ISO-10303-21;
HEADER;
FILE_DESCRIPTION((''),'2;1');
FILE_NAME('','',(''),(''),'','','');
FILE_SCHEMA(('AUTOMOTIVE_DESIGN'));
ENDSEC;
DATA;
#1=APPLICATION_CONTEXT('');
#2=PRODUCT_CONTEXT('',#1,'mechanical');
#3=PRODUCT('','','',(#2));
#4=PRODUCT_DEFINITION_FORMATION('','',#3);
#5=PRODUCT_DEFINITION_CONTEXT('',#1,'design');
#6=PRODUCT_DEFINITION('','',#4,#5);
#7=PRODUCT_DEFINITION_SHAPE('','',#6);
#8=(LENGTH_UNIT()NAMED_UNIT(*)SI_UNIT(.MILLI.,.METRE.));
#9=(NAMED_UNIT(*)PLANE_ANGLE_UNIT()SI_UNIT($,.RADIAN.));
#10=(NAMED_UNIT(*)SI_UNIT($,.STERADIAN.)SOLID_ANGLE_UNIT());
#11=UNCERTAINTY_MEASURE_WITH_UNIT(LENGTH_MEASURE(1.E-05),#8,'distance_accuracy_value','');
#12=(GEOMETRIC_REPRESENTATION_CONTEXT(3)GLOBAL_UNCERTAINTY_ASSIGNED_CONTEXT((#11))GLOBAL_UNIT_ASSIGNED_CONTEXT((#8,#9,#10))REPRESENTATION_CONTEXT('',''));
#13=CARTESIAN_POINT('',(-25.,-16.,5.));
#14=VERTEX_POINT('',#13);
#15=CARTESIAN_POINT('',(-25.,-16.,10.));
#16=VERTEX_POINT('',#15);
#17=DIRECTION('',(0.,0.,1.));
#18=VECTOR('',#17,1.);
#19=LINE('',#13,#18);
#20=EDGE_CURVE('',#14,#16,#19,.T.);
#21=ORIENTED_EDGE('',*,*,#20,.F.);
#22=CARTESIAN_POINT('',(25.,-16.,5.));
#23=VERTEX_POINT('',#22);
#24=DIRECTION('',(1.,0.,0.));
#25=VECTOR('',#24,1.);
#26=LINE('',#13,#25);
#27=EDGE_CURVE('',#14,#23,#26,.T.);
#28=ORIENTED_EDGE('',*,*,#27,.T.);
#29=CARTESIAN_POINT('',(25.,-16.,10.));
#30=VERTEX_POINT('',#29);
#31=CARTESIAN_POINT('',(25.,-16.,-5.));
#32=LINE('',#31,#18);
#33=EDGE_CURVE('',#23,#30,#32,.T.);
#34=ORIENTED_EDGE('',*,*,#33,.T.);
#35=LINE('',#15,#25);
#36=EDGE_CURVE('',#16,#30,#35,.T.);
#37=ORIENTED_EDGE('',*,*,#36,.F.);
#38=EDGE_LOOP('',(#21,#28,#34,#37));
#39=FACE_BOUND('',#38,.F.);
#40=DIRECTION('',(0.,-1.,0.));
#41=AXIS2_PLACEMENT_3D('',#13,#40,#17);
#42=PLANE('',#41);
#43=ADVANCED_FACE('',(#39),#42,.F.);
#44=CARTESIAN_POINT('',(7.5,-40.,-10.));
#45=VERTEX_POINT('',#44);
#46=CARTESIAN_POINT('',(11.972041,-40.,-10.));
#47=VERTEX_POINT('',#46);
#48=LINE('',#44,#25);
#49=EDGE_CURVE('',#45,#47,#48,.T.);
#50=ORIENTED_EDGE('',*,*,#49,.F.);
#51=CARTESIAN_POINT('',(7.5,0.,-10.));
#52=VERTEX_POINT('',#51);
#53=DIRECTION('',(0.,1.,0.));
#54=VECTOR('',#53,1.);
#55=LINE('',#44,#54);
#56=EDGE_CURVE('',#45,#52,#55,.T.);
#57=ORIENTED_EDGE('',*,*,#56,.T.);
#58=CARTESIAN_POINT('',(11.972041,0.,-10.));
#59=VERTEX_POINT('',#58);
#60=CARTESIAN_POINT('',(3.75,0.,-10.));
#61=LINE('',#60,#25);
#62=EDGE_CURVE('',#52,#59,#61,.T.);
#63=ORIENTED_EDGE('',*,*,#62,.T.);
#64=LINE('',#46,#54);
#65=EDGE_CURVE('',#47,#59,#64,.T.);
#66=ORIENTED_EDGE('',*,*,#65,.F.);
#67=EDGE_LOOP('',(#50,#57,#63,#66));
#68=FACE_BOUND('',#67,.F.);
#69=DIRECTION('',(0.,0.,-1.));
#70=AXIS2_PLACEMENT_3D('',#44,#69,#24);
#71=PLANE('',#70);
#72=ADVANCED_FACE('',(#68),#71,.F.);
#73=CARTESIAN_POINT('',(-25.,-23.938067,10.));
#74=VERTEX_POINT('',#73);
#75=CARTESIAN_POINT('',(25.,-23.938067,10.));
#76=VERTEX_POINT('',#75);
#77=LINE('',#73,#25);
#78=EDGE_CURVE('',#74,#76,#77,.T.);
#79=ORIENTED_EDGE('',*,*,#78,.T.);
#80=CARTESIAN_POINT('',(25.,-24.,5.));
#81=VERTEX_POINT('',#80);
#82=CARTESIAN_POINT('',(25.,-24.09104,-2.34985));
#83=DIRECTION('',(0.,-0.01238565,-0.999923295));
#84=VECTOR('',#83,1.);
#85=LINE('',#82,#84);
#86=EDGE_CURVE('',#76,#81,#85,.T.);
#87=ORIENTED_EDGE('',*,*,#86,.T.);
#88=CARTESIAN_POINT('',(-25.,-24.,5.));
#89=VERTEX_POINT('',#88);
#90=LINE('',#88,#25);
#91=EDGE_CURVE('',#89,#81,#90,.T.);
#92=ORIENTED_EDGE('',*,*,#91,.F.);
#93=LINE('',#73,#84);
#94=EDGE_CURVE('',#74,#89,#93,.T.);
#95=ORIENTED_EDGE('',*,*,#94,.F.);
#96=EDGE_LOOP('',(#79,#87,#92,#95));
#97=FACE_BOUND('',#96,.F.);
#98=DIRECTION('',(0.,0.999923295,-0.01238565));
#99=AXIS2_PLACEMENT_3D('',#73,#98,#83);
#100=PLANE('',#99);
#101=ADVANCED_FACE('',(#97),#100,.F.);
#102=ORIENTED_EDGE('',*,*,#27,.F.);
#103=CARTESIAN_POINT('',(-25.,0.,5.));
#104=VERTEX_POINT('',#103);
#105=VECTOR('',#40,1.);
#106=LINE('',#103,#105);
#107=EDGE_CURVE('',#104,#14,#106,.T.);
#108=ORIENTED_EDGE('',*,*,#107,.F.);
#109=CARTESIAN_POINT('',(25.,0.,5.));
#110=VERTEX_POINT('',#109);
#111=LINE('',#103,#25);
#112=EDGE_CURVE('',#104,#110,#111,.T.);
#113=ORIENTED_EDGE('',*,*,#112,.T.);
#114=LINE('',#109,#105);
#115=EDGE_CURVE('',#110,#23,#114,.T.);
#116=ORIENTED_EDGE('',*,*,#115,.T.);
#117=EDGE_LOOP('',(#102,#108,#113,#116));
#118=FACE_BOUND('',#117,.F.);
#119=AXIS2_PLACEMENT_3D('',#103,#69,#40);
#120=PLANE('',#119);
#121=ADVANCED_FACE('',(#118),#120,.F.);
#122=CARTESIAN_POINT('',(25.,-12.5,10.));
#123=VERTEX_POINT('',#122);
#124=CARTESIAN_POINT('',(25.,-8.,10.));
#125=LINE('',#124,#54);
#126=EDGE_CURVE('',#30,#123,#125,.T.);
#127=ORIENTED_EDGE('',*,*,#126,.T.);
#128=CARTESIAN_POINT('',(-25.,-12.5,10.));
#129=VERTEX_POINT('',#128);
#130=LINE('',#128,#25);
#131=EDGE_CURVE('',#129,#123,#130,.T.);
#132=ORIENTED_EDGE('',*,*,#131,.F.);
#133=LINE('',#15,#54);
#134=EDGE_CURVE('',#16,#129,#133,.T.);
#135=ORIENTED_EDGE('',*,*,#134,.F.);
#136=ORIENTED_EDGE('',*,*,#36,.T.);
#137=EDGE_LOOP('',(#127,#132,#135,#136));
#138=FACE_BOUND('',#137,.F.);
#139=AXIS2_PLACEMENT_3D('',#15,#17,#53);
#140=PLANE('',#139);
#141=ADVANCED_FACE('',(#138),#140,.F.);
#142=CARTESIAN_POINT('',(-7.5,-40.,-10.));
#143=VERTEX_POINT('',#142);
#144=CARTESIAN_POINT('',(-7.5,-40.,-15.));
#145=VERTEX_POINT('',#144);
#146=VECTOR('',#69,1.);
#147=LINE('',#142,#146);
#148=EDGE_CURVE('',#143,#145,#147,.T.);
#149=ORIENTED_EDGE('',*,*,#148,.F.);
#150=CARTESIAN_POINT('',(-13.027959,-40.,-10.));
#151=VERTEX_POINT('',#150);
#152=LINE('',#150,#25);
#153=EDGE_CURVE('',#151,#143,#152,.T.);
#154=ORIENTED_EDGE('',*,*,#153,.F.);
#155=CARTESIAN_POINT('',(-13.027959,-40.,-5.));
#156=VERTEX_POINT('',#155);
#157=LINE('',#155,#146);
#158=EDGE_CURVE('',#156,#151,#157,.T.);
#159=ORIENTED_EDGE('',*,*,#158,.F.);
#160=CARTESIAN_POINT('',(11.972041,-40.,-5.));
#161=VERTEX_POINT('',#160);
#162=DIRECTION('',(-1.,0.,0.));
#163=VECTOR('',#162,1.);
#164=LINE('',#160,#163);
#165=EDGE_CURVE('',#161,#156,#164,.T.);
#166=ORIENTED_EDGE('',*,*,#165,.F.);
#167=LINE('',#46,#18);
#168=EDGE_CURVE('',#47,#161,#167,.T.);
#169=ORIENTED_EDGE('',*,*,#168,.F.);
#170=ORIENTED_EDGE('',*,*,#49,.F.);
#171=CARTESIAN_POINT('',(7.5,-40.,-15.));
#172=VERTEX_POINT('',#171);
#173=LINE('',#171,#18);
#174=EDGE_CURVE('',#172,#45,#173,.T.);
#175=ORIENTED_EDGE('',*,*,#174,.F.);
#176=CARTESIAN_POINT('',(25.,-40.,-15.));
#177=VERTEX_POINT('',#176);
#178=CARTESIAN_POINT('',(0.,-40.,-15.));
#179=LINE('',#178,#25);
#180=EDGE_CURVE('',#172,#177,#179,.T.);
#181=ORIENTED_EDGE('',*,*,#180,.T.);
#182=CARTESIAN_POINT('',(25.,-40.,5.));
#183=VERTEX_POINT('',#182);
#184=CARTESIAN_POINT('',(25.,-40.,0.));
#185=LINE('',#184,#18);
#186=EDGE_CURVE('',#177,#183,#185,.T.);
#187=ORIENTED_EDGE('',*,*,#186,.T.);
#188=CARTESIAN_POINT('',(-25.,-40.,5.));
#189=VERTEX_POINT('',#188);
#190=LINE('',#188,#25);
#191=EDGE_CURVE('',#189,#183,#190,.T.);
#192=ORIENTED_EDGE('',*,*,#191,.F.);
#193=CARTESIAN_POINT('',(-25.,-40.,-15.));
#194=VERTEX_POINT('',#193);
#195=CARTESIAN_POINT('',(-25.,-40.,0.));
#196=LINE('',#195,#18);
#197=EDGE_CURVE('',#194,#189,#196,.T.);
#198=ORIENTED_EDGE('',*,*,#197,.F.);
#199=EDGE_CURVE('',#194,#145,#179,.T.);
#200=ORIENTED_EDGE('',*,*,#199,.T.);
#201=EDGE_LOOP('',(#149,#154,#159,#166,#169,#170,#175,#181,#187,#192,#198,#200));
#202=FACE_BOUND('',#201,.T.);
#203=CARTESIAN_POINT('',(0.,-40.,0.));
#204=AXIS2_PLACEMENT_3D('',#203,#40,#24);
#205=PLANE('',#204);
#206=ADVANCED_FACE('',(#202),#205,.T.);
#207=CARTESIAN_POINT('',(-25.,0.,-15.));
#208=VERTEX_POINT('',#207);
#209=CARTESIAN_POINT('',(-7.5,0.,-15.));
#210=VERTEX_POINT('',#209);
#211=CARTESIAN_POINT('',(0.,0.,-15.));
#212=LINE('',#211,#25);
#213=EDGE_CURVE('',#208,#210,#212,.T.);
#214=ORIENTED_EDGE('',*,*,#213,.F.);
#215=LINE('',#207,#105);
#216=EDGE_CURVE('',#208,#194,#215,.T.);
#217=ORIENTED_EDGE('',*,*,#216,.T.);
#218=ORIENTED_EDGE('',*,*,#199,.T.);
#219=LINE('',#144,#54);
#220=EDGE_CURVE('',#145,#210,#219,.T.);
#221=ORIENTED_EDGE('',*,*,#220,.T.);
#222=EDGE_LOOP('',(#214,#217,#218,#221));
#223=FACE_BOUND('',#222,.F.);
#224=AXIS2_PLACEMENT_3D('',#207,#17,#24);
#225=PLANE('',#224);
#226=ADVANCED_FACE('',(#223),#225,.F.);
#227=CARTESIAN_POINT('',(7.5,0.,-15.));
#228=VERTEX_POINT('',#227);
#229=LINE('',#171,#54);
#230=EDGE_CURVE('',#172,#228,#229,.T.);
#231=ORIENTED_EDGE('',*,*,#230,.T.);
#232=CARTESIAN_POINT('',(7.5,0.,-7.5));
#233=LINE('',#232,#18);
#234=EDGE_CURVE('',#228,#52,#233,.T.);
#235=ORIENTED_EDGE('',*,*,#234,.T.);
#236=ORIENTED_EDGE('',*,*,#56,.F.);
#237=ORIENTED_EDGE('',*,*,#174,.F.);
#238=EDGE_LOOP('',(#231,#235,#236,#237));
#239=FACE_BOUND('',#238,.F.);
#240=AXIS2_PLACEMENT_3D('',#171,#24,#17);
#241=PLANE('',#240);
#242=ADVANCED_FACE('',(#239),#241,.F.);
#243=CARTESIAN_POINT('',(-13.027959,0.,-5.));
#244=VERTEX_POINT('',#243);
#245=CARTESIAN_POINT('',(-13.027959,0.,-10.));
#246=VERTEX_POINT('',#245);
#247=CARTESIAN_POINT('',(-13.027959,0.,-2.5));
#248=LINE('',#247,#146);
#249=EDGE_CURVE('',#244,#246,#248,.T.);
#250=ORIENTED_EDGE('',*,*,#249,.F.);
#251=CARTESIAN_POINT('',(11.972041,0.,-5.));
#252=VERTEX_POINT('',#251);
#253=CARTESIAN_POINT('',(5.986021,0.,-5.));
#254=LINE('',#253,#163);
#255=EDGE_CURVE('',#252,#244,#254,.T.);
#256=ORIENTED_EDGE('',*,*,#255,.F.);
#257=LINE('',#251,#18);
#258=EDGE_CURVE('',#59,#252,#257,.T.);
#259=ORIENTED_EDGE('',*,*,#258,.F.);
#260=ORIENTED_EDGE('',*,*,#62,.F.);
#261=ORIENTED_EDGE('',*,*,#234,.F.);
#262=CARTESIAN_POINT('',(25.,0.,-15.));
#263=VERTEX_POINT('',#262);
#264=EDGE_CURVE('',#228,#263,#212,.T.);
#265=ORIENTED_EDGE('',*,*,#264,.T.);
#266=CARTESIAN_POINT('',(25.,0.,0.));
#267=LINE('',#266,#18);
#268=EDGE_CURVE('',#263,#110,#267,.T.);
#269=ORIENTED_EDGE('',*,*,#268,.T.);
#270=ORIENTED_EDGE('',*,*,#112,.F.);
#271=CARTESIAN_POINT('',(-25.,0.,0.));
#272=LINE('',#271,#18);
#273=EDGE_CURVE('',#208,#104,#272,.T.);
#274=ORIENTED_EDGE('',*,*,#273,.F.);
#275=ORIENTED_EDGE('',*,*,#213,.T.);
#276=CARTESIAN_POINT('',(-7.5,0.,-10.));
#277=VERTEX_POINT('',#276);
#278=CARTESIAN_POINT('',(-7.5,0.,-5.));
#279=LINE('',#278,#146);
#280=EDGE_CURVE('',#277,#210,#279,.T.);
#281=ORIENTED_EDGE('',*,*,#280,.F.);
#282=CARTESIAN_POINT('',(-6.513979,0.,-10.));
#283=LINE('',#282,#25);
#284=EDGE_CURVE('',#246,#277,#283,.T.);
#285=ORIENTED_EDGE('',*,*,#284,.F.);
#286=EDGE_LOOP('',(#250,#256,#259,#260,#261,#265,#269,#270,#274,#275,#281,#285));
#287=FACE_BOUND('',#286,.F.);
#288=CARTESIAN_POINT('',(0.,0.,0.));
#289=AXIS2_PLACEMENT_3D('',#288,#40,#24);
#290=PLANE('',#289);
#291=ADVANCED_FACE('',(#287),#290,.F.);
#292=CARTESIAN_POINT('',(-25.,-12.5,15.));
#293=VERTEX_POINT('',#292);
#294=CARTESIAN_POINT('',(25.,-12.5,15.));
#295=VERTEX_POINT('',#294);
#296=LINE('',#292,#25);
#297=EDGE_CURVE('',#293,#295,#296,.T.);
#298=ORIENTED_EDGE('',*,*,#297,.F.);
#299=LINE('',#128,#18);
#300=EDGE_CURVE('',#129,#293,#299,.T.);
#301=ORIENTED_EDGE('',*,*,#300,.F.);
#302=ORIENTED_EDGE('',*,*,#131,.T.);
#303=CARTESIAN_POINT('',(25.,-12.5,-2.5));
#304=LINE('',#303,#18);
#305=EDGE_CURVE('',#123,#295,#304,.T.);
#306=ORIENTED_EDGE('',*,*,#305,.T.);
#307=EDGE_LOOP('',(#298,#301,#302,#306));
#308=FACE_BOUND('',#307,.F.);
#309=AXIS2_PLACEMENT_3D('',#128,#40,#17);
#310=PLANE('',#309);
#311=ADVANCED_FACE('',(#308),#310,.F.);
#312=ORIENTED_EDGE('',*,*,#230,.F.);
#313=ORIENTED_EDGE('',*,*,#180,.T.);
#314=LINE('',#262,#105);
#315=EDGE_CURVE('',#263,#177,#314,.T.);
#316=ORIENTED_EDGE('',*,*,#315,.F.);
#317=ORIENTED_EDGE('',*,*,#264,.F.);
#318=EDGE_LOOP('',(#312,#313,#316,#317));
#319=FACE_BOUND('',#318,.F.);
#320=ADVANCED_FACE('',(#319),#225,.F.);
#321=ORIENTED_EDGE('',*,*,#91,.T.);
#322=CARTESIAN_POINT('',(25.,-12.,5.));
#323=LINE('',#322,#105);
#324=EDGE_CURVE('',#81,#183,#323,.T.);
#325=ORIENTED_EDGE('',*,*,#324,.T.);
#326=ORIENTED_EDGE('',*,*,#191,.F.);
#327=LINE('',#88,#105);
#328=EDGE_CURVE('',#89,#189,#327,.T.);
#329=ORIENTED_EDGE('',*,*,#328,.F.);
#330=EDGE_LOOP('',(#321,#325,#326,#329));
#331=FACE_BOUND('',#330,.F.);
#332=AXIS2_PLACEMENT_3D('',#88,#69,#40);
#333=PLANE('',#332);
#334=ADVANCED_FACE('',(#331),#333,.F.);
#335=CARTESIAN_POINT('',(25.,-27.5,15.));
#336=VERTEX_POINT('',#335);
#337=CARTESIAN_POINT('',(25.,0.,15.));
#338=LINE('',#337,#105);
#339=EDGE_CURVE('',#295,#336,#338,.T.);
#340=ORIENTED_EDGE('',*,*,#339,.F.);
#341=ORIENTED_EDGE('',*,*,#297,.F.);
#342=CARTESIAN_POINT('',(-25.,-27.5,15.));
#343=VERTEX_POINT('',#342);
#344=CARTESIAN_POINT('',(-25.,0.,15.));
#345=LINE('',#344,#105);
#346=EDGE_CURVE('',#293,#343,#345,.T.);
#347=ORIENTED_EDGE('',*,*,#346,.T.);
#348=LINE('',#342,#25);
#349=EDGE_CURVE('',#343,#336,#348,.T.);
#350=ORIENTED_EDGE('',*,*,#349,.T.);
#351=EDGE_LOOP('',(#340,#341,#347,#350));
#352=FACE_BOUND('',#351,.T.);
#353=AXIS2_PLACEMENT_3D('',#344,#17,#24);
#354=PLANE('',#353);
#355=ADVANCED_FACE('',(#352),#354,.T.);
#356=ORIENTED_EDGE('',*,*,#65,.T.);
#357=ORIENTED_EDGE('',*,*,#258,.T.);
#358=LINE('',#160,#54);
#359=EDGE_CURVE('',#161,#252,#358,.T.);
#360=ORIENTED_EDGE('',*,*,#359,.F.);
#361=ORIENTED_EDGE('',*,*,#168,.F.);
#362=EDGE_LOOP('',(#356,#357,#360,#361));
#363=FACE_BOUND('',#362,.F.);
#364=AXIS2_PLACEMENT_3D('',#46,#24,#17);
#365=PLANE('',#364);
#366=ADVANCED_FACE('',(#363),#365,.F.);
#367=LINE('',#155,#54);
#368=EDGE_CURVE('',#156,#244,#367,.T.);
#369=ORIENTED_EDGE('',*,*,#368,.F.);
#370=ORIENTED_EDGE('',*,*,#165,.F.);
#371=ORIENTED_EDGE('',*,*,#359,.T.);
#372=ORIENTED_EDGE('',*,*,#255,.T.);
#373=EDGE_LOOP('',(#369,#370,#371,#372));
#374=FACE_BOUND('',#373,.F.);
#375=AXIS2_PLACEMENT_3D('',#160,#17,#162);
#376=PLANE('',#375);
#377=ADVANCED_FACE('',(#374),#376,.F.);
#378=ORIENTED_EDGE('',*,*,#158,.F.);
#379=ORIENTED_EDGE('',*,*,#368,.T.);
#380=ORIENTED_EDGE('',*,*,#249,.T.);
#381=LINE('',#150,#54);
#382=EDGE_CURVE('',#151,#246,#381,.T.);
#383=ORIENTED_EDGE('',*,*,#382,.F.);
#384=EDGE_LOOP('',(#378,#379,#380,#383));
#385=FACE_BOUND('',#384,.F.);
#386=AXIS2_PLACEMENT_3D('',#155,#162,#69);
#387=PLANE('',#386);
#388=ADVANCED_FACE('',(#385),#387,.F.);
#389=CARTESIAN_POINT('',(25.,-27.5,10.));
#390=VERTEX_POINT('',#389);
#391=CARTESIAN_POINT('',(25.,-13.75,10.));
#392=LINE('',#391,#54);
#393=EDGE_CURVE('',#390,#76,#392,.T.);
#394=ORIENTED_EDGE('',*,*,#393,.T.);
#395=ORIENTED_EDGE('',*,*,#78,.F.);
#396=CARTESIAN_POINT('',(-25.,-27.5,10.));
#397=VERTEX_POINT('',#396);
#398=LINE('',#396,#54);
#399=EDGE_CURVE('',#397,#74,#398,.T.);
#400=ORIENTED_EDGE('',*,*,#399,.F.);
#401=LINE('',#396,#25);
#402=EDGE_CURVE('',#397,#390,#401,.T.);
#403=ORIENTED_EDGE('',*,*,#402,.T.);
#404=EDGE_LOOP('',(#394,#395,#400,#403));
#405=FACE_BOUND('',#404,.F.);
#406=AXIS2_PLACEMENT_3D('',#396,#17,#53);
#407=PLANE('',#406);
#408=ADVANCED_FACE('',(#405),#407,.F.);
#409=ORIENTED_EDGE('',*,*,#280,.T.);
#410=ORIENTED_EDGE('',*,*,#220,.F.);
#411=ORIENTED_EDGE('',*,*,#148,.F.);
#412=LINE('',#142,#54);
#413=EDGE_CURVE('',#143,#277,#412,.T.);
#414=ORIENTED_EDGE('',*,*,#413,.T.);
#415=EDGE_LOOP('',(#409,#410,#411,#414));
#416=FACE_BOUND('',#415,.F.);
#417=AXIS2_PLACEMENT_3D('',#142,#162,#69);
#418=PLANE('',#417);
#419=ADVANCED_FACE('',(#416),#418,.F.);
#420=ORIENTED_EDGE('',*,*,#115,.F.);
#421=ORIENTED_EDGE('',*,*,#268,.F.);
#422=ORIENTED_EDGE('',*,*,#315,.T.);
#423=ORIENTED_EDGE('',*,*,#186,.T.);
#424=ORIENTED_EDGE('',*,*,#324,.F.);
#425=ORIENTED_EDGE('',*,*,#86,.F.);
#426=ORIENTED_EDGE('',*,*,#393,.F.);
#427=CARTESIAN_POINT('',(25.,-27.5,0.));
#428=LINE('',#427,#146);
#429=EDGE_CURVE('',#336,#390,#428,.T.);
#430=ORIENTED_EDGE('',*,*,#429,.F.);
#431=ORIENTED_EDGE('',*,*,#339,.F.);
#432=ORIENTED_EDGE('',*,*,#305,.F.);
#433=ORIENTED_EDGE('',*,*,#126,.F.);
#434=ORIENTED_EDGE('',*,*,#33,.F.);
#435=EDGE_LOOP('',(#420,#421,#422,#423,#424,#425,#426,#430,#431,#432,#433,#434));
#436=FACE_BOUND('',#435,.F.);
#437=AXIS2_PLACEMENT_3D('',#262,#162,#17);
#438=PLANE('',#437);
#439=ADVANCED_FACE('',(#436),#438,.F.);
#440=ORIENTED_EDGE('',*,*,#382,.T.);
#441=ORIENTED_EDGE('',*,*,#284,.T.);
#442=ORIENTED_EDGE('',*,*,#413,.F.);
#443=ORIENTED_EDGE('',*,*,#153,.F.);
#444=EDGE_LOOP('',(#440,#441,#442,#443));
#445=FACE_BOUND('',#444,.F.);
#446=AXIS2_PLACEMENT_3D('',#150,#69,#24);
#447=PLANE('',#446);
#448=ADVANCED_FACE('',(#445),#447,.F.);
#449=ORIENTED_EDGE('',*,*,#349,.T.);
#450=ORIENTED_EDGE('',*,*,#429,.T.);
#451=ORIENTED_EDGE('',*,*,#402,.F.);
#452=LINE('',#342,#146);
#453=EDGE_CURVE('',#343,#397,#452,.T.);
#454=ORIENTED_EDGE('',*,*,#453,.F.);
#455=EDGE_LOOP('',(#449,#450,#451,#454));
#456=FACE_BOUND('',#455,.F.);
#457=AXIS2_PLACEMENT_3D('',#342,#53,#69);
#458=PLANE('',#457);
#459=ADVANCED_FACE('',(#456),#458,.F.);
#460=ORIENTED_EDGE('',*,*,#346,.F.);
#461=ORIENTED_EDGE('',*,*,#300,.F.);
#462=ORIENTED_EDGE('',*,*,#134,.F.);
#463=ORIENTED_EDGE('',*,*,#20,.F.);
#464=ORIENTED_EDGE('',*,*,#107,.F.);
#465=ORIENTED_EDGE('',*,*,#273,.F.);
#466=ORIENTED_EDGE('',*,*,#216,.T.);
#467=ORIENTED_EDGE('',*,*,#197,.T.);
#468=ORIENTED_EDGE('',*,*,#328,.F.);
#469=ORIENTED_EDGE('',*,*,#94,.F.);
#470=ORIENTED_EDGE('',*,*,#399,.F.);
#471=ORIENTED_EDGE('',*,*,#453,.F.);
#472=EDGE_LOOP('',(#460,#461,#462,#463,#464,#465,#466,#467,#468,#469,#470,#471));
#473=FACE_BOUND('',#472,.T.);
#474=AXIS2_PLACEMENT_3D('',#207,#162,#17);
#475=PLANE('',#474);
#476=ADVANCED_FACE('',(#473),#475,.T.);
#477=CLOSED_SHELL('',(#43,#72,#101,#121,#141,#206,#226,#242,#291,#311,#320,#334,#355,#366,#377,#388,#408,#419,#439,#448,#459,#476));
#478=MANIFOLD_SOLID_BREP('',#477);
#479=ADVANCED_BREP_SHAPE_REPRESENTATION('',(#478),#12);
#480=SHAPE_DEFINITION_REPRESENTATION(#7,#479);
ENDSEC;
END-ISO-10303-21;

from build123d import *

# Parameters (mm, degrees)
F0_W     = 50
F0_H     = 30
F1_DEPTH = 40
F3_DEPTH = 50.001
F5_DEPTH = 40.001


with BuildPart() as f1:
    # F0 (on Front) → F1 (new body)
    with BuildSketch(Plane.XZ):
        Rectangle(F0_W, F0_H)
    extrude(amount=F1_DEPTH)

    # F2 (on face) → F3 (cut, through all)
    with BuildSketch(Plane(origin=(-25, 0, 0), x_dir=(0, -1, 0), z_dir=(-1, 0, 0))):
        Polygon((16, 5), (16, 10), (12.5, 10), (12.5, 15), (0, 15), (0, 5), align=None)
        Polygon((40, 15), (27.5, 15), (27.5, 10), (23.938067, 10), (24, 5), (40, 5), align=None)
    extrude(amount=-F3_DEPTH, mode=Mode.SUBTRACT)

    # F4 (on face) → F5 (cut, through all)
    with BuildSketch(Plane.XZ.offset(40)):
        Polygon((-7.5, -10), (-7.5, -15), (7.5, -15), (7.5, -10), (11.972041, -10), (11.972041, -5), (-13.027959, -5), (-13.027959, -10), align=None)
    extrude(amount=-F5_DEPTH, mode=Mode.SUBTRACT)


solid = f1.part
